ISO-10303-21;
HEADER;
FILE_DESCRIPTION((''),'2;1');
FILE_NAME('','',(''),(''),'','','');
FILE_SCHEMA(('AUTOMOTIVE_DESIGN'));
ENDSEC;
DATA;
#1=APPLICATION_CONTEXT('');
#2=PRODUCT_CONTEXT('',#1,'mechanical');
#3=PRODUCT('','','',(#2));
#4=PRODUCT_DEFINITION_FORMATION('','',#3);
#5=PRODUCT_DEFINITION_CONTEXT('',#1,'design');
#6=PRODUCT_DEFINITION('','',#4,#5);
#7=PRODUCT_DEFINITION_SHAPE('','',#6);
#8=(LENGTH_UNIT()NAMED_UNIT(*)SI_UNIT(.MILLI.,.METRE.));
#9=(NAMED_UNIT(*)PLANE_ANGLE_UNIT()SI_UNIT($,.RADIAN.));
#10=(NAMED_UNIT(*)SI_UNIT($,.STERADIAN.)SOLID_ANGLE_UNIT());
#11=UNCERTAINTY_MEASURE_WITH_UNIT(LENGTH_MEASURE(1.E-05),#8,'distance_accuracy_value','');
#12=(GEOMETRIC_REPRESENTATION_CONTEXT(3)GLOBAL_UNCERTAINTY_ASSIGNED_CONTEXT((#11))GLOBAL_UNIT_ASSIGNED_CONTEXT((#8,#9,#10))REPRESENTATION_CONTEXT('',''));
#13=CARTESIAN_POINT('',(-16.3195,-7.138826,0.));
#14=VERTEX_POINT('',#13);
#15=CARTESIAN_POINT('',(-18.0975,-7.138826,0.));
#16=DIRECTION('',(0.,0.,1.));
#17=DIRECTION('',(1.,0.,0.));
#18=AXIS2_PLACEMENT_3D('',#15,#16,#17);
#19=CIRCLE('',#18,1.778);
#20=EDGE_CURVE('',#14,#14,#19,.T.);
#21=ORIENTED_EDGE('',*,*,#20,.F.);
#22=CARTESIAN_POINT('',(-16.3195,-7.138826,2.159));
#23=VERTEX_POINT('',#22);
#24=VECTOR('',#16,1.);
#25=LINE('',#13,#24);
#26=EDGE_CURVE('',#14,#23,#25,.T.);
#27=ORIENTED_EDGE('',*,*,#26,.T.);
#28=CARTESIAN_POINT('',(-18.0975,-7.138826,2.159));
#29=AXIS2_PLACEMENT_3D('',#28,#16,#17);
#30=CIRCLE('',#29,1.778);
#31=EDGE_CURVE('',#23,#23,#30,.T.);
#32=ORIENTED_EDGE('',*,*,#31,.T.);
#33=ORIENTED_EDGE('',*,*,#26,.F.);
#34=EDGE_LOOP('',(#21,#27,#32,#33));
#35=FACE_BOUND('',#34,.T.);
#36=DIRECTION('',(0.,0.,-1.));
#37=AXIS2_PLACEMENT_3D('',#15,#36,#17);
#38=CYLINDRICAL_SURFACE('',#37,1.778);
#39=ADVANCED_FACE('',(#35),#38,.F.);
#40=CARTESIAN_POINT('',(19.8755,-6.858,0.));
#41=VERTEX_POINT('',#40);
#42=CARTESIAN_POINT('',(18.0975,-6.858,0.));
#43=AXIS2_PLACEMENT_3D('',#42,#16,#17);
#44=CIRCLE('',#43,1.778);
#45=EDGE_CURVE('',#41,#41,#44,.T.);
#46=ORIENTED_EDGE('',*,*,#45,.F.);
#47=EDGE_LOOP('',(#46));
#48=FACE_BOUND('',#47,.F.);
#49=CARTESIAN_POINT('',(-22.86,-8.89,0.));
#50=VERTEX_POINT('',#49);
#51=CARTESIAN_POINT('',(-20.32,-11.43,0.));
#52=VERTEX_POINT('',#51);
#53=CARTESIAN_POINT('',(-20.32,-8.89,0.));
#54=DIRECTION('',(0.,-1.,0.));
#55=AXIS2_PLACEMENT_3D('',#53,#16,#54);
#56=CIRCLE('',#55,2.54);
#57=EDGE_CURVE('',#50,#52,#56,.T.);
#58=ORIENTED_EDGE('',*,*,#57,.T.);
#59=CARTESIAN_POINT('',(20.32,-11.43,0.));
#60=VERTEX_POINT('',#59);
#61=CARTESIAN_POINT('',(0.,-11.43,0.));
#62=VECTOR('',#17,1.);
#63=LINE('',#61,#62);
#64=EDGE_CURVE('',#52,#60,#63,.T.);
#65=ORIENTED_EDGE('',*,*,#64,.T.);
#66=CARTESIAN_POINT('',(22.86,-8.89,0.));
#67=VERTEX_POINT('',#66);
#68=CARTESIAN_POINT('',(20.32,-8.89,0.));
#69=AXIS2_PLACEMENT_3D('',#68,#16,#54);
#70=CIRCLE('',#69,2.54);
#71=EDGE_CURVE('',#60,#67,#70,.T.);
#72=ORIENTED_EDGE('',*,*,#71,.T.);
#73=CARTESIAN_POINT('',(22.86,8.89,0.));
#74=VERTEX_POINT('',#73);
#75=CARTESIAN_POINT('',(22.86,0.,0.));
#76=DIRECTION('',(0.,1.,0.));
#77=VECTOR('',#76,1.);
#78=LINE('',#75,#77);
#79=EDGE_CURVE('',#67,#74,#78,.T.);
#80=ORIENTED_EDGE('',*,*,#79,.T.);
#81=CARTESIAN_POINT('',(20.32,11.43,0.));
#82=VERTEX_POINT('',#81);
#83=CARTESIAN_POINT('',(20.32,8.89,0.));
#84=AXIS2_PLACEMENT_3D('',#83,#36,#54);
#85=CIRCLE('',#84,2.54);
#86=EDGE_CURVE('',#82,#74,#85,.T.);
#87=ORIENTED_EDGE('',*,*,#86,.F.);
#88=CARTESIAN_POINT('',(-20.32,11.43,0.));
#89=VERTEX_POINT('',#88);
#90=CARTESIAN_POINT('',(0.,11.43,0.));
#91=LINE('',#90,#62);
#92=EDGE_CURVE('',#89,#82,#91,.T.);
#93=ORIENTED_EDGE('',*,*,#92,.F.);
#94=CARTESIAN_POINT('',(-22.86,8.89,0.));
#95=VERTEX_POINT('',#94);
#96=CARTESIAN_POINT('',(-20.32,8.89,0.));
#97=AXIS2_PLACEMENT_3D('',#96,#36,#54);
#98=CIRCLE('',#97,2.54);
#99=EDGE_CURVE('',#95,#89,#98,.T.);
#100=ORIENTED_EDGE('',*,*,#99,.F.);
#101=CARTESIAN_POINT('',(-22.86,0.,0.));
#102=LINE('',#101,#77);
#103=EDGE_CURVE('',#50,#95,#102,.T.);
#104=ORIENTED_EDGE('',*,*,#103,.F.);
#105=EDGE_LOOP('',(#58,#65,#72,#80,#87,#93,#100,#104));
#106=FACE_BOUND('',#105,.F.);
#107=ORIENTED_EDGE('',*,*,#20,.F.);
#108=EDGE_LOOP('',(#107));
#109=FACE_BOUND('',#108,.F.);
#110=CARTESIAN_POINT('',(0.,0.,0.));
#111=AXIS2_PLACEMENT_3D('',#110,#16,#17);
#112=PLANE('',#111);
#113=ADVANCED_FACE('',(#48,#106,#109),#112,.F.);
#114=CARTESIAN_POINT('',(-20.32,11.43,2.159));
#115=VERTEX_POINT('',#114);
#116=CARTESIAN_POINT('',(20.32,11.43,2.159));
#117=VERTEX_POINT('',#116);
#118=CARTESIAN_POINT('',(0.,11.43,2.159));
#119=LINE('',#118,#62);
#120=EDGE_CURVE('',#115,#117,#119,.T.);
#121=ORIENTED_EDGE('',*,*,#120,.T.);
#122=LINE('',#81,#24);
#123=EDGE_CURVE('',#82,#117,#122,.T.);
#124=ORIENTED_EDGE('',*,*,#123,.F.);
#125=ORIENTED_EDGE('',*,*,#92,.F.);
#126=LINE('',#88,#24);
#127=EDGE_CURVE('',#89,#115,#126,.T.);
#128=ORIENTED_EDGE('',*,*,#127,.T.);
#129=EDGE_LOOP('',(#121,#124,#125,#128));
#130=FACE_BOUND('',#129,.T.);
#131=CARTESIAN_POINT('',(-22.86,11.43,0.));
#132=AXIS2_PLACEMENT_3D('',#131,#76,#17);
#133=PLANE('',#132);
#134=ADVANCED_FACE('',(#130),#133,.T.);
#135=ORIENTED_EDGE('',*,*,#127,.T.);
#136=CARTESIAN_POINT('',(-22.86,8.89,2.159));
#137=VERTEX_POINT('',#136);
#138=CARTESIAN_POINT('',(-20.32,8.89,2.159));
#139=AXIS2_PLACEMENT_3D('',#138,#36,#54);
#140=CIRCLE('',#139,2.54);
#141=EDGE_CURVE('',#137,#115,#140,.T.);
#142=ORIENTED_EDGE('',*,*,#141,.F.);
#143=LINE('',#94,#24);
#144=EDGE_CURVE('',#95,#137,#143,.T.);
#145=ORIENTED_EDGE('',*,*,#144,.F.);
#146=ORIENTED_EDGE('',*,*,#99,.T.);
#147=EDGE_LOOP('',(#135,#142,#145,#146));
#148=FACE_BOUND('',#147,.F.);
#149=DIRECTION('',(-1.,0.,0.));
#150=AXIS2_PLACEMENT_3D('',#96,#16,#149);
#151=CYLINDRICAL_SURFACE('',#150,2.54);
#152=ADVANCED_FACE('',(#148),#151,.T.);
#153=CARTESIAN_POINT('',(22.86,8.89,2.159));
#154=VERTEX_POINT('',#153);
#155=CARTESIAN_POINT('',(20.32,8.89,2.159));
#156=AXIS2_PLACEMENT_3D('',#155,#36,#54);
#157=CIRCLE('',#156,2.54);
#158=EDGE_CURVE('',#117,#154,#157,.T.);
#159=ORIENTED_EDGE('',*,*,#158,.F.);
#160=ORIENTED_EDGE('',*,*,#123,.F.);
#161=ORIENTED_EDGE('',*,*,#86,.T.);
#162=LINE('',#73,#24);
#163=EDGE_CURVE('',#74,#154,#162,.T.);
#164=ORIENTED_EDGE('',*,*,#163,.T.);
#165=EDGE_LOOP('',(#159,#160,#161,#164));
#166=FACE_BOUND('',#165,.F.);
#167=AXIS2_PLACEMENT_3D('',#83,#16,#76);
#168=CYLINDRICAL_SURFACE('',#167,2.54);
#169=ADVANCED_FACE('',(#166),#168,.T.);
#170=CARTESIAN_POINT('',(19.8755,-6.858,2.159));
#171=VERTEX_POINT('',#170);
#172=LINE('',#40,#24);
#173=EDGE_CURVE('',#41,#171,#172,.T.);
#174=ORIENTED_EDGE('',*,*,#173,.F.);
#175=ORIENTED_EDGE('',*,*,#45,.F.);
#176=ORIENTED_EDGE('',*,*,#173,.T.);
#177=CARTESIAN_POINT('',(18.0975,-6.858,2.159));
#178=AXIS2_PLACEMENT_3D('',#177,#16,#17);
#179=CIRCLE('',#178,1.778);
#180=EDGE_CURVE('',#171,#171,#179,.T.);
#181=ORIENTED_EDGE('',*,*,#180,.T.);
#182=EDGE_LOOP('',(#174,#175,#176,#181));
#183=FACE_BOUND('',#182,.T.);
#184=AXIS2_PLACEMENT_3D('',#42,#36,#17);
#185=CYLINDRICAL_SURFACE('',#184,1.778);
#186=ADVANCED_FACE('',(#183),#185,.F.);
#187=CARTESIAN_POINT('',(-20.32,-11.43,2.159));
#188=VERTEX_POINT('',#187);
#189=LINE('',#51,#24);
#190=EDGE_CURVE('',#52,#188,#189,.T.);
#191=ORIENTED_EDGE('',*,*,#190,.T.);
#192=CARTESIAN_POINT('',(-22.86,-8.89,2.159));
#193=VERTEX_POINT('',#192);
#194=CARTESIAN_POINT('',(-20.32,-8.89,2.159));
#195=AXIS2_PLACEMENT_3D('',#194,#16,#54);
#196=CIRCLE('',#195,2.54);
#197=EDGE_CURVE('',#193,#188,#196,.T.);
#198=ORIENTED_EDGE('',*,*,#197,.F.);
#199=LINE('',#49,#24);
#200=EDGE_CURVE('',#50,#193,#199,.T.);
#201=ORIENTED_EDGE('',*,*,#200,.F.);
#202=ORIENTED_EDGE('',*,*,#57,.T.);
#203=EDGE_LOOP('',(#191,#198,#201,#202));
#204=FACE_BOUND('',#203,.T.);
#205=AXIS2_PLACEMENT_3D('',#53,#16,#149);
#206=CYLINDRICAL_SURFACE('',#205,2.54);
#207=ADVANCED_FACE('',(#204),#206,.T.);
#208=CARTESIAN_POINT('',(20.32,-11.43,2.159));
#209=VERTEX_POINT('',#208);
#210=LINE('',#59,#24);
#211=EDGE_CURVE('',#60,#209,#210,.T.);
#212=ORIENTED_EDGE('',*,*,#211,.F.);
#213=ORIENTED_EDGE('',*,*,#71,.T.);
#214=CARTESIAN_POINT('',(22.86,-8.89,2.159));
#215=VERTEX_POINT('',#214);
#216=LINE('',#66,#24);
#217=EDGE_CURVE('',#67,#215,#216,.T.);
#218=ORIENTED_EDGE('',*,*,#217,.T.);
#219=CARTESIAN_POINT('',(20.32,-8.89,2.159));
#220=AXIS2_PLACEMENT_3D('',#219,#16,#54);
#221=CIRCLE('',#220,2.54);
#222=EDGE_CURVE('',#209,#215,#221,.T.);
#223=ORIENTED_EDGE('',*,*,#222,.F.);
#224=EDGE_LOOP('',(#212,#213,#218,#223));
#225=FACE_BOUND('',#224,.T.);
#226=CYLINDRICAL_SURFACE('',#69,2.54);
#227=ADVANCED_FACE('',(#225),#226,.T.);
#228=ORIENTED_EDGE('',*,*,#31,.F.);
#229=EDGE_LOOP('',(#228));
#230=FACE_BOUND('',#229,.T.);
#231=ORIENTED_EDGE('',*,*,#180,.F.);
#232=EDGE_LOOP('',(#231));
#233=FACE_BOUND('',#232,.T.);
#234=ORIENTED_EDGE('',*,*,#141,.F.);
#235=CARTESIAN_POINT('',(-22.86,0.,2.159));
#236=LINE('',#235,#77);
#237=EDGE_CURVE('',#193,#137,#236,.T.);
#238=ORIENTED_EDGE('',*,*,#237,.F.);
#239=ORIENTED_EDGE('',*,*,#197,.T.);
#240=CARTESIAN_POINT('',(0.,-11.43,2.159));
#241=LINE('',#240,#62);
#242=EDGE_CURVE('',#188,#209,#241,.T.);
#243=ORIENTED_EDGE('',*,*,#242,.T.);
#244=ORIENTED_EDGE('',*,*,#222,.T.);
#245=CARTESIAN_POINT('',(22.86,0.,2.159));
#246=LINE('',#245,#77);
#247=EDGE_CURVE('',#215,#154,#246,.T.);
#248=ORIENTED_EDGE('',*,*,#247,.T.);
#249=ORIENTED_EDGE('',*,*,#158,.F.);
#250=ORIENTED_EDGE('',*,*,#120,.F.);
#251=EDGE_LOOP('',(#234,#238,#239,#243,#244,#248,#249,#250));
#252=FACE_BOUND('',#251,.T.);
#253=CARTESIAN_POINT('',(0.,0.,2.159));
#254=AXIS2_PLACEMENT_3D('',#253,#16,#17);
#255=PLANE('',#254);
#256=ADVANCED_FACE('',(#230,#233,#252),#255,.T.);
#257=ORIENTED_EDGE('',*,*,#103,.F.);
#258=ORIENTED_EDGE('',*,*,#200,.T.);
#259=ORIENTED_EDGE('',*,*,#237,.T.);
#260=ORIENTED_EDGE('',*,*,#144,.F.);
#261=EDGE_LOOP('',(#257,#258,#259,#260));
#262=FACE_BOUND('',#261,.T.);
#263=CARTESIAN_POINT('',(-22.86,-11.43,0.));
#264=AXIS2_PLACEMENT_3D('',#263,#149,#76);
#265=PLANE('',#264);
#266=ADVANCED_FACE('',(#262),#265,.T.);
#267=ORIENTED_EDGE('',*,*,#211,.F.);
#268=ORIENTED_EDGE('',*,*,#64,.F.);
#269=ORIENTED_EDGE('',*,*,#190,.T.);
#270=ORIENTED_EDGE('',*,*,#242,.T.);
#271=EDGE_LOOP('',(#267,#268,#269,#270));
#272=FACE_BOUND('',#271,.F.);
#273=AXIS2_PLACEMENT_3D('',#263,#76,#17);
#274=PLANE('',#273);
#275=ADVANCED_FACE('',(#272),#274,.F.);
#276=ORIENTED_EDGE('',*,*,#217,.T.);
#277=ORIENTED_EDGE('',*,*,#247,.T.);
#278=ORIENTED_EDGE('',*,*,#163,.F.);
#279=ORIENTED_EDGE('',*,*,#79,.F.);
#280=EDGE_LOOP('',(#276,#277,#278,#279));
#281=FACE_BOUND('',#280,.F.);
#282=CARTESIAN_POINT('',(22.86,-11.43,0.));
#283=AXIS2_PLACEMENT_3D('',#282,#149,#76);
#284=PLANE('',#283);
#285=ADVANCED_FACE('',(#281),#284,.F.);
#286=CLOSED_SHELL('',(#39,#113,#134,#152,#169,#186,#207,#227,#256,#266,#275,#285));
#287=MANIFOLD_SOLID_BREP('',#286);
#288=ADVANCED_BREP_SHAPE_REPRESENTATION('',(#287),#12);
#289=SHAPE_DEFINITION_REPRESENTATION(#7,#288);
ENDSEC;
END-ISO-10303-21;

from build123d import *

# Parameters (mm, degrees)
F0_W     = 45.72
F0_H     = 22.86
F0_R     = 1.778
F1_DEPTH = 2.159
F2_R     = 2.54


with BuildPart() as f1:
    # F0 (on Top) → F1 (new body)
    with BuildSketch(Plane.XY):
        Rectangle(F0_W, F0_H)
        with Locations((-18.0975, -7.138826)):
            Circle(F0_R, mode=Mode.SUBTRACT)
        with Locations((18.0975, -6.858)):
            Circle(F0_R, mode=Mode.SUBTRACT)
    extrude(amount=F1_DEPTH)

    # F2
    f2_edges = [f1.edges().sort_by_distance(p)[0] for p in [
        (22.86, -11.43, 1.0795),
        (22.86, 11.43, 1.0795),
        (-22.86, -11.43, 1.0795),
        (-22.86, 11.43, 1.0795),
    ]]
    fillet(f2_edges, radius=F2_R)


solid = f1.part
